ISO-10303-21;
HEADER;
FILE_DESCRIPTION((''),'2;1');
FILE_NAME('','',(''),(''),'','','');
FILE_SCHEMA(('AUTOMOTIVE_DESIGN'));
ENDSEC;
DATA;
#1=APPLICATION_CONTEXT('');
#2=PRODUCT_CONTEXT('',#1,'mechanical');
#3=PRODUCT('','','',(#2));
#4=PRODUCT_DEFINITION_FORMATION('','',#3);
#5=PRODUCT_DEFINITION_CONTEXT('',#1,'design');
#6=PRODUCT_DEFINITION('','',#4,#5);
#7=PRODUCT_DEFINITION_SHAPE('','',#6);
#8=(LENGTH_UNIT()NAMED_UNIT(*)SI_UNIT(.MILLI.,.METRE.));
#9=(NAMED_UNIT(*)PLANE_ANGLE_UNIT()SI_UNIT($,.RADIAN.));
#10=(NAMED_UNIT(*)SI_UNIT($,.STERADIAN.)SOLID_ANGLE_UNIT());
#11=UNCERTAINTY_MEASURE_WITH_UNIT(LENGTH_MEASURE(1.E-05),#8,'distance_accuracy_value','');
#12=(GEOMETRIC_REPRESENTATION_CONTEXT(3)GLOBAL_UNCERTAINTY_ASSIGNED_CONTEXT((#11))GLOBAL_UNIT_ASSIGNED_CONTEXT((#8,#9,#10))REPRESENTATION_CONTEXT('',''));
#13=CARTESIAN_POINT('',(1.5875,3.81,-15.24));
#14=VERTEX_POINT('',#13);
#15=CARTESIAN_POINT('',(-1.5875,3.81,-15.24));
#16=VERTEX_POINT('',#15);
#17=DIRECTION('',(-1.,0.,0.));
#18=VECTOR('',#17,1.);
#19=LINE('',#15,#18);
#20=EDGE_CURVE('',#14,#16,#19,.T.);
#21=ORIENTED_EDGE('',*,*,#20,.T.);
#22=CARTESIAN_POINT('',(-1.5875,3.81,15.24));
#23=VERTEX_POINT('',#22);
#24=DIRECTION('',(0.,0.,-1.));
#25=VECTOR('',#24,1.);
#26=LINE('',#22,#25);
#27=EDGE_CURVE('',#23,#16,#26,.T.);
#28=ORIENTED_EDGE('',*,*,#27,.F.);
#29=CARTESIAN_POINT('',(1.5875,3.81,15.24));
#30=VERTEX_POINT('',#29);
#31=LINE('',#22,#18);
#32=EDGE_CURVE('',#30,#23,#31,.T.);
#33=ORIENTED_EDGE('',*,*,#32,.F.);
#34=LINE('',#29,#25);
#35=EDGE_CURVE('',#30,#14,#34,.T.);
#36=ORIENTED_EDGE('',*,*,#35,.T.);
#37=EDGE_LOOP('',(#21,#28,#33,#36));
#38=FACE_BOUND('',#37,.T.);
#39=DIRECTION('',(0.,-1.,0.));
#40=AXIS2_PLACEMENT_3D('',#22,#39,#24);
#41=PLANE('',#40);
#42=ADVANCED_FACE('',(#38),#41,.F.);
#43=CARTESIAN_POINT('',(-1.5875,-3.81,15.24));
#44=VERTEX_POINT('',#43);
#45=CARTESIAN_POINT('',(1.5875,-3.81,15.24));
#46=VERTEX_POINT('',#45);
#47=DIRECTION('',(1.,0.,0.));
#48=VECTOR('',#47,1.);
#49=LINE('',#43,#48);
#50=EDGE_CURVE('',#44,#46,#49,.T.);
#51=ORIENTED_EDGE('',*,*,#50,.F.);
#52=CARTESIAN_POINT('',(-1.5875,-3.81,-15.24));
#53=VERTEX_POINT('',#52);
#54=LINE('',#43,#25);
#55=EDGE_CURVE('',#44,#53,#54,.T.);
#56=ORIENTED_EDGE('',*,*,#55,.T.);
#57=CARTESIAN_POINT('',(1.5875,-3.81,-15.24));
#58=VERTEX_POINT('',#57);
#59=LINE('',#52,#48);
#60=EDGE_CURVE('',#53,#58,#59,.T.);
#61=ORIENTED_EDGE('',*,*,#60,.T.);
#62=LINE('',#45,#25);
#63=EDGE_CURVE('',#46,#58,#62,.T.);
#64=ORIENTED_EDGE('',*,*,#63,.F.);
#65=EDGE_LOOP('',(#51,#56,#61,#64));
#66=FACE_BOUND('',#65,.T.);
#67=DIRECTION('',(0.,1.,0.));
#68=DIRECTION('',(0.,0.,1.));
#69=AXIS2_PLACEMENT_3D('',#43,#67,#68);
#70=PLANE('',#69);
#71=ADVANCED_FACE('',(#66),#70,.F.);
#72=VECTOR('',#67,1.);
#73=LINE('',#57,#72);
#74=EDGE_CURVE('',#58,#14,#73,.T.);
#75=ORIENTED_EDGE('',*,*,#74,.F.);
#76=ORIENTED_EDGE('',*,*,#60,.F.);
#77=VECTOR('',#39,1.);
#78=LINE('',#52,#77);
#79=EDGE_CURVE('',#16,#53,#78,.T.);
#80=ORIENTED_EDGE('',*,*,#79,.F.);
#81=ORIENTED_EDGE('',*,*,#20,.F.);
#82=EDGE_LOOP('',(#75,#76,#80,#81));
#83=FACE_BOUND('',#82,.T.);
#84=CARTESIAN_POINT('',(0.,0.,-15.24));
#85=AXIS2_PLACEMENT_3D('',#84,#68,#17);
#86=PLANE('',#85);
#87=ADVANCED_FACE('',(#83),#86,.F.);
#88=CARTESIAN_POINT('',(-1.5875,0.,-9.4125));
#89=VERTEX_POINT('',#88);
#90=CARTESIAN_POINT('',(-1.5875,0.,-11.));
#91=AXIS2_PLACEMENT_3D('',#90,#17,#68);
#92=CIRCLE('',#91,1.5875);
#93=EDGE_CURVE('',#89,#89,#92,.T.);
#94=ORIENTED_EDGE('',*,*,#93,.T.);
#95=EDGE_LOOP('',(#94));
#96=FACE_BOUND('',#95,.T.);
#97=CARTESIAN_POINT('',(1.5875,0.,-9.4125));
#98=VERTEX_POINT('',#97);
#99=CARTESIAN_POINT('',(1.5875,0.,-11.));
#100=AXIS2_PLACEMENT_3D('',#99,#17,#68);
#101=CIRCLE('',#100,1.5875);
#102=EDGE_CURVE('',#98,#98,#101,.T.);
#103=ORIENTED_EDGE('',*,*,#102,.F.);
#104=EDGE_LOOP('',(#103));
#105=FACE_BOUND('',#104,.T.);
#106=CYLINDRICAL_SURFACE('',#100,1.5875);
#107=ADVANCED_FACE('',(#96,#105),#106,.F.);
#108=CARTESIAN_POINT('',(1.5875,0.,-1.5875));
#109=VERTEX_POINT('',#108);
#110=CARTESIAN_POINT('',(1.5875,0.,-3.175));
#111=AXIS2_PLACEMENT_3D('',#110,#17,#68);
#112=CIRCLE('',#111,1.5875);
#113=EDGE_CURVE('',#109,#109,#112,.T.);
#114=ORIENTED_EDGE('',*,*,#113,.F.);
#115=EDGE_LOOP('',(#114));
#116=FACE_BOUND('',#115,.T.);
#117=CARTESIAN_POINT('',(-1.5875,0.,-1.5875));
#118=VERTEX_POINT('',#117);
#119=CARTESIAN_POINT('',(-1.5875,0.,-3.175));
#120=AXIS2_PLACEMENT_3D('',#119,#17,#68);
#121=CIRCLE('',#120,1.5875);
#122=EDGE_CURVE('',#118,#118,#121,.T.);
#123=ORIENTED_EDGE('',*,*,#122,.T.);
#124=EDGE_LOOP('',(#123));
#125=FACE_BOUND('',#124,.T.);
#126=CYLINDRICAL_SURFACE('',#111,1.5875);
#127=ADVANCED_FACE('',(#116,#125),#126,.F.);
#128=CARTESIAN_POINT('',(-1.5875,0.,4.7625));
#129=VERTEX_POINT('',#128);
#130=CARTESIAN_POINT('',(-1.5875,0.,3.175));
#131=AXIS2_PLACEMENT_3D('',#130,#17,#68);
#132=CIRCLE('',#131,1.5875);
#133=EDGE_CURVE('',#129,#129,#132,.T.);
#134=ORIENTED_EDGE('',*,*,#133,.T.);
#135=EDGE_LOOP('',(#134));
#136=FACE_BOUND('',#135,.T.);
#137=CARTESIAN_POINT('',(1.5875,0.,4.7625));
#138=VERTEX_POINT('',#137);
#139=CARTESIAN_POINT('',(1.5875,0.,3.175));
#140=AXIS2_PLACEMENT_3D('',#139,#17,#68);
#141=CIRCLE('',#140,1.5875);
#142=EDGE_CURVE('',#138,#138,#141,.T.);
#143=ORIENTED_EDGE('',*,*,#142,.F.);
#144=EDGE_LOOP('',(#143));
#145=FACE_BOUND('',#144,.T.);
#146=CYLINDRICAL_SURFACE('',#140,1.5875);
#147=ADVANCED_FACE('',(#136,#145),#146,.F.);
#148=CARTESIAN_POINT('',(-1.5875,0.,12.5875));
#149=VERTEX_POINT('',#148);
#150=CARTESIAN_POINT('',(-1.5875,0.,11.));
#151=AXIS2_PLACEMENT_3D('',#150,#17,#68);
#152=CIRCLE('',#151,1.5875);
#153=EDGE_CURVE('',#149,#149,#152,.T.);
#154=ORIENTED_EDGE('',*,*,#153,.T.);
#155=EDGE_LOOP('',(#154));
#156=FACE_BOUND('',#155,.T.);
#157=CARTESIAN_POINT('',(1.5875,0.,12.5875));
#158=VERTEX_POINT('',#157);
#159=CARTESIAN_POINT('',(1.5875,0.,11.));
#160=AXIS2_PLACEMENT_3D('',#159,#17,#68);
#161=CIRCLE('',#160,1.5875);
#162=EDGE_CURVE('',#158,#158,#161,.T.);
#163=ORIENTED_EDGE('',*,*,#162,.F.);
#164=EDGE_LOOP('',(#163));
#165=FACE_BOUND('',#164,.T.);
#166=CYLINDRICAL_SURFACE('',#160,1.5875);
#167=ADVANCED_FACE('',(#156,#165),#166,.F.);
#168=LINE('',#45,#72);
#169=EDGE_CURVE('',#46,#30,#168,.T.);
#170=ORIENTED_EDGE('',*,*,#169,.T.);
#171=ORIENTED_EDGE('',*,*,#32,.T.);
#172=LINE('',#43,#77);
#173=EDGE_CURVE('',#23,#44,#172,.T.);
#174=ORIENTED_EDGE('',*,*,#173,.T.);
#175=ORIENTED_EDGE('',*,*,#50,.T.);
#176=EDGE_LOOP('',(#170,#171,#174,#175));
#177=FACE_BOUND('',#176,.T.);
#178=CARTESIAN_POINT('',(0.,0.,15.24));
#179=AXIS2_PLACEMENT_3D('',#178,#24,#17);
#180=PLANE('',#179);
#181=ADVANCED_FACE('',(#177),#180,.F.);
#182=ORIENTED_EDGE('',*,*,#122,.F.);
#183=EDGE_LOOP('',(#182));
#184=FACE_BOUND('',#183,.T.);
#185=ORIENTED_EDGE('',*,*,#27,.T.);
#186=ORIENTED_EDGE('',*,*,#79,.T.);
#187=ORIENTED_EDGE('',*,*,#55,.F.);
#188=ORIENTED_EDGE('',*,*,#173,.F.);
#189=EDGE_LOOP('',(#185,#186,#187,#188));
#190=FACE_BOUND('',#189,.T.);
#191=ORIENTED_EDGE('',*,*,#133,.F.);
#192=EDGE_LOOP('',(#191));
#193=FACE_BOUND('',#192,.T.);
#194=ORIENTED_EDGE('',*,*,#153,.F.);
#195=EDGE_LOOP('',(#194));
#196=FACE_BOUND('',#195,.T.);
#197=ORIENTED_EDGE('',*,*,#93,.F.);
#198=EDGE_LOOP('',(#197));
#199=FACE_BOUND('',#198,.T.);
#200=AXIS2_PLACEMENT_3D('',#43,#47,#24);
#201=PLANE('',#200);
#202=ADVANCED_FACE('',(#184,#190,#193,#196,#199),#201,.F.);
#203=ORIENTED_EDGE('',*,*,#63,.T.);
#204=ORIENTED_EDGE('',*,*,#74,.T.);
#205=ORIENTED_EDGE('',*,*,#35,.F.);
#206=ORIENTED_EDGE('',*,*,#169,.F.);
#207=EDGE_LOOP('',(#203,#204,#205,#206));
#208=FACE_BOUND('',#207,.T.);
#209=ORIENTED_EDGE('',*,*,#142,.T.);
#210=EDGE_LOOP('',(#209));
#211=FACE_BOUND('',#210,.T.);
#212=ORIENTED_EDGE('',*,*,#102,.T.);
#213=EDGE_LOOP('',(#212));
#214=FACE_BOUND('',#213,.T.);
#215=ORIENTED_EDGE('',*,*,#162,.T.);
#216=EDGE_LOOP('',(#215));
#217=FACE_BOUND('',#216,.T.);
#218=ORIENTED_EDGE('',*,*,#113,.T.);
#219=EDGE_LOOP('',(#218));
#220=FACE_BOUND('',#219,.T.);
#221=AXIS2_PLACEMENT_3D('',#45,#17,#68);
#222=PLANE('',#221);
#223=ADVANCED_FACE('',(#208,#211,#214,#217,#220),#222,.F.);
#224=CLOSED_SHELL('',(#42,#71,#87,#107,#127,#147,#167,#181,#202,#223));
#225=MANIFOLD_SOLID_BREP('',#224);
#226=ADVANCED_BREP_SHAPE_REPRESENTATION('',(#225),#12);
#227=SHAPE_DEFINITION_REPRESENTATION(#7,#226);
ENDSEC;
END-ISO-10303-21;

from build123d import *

# Parameters (mm, degrees)
SKETCH1_W           = 3.175
SKETCH1_H           = 7.62
BOSS_EXTRUDE1_DEPTH = 15.24
SKETCH3_R           = 1.5875
CUT_EXTRUDE2_DEPTH  = 4.175
SKETCH5_R           = 1.5875
CUT_EXTRUDE4_DEPTH  = 4.175


with BuildPart() as part:
    # Sketch1 → Boss-Extrude1 (new body)
    with BuildSketch(Plane.XY):
        Rectangle(SKETCH1_W, SKETCH1_H)
    boss_extrude1 = extrude(amount=BOSS_EXTRUDE1_DEPTH)

    # Mirror1: Boss-Extrude1 across plane
    add(boss_extrude1.mirror(Plane.XY))

    # Sketch3 → Cut-Extrude2 (cut, through all)
    with BuildSketch(Plane.ZY.offset(1.5875)):
        with Locations((-3.175, 0)):
            Circle(SKETCH3_R)
        with Locations((3.175, 0)):
            Circle(SKETCH3_R)
    extrude(amount=-CUT_EXTRUDE2_DEPTH, mode=Mode.SUBTRACT)

    # Sketch5 → Cut-Extrude4 (cut, through all)
    with BuildSketch(Plane.ZY.offset(1.5875)):
        with Locations((-11, 0)):
            Circle(SKETCH5_R)
        with Locations((11, 0)):
            Circle(SKETCH5_R)
    extrude(amount=-CUT_EXTRUDE4_DEPTH, mode=Mode.SUBTRACT)


solid = part.part
